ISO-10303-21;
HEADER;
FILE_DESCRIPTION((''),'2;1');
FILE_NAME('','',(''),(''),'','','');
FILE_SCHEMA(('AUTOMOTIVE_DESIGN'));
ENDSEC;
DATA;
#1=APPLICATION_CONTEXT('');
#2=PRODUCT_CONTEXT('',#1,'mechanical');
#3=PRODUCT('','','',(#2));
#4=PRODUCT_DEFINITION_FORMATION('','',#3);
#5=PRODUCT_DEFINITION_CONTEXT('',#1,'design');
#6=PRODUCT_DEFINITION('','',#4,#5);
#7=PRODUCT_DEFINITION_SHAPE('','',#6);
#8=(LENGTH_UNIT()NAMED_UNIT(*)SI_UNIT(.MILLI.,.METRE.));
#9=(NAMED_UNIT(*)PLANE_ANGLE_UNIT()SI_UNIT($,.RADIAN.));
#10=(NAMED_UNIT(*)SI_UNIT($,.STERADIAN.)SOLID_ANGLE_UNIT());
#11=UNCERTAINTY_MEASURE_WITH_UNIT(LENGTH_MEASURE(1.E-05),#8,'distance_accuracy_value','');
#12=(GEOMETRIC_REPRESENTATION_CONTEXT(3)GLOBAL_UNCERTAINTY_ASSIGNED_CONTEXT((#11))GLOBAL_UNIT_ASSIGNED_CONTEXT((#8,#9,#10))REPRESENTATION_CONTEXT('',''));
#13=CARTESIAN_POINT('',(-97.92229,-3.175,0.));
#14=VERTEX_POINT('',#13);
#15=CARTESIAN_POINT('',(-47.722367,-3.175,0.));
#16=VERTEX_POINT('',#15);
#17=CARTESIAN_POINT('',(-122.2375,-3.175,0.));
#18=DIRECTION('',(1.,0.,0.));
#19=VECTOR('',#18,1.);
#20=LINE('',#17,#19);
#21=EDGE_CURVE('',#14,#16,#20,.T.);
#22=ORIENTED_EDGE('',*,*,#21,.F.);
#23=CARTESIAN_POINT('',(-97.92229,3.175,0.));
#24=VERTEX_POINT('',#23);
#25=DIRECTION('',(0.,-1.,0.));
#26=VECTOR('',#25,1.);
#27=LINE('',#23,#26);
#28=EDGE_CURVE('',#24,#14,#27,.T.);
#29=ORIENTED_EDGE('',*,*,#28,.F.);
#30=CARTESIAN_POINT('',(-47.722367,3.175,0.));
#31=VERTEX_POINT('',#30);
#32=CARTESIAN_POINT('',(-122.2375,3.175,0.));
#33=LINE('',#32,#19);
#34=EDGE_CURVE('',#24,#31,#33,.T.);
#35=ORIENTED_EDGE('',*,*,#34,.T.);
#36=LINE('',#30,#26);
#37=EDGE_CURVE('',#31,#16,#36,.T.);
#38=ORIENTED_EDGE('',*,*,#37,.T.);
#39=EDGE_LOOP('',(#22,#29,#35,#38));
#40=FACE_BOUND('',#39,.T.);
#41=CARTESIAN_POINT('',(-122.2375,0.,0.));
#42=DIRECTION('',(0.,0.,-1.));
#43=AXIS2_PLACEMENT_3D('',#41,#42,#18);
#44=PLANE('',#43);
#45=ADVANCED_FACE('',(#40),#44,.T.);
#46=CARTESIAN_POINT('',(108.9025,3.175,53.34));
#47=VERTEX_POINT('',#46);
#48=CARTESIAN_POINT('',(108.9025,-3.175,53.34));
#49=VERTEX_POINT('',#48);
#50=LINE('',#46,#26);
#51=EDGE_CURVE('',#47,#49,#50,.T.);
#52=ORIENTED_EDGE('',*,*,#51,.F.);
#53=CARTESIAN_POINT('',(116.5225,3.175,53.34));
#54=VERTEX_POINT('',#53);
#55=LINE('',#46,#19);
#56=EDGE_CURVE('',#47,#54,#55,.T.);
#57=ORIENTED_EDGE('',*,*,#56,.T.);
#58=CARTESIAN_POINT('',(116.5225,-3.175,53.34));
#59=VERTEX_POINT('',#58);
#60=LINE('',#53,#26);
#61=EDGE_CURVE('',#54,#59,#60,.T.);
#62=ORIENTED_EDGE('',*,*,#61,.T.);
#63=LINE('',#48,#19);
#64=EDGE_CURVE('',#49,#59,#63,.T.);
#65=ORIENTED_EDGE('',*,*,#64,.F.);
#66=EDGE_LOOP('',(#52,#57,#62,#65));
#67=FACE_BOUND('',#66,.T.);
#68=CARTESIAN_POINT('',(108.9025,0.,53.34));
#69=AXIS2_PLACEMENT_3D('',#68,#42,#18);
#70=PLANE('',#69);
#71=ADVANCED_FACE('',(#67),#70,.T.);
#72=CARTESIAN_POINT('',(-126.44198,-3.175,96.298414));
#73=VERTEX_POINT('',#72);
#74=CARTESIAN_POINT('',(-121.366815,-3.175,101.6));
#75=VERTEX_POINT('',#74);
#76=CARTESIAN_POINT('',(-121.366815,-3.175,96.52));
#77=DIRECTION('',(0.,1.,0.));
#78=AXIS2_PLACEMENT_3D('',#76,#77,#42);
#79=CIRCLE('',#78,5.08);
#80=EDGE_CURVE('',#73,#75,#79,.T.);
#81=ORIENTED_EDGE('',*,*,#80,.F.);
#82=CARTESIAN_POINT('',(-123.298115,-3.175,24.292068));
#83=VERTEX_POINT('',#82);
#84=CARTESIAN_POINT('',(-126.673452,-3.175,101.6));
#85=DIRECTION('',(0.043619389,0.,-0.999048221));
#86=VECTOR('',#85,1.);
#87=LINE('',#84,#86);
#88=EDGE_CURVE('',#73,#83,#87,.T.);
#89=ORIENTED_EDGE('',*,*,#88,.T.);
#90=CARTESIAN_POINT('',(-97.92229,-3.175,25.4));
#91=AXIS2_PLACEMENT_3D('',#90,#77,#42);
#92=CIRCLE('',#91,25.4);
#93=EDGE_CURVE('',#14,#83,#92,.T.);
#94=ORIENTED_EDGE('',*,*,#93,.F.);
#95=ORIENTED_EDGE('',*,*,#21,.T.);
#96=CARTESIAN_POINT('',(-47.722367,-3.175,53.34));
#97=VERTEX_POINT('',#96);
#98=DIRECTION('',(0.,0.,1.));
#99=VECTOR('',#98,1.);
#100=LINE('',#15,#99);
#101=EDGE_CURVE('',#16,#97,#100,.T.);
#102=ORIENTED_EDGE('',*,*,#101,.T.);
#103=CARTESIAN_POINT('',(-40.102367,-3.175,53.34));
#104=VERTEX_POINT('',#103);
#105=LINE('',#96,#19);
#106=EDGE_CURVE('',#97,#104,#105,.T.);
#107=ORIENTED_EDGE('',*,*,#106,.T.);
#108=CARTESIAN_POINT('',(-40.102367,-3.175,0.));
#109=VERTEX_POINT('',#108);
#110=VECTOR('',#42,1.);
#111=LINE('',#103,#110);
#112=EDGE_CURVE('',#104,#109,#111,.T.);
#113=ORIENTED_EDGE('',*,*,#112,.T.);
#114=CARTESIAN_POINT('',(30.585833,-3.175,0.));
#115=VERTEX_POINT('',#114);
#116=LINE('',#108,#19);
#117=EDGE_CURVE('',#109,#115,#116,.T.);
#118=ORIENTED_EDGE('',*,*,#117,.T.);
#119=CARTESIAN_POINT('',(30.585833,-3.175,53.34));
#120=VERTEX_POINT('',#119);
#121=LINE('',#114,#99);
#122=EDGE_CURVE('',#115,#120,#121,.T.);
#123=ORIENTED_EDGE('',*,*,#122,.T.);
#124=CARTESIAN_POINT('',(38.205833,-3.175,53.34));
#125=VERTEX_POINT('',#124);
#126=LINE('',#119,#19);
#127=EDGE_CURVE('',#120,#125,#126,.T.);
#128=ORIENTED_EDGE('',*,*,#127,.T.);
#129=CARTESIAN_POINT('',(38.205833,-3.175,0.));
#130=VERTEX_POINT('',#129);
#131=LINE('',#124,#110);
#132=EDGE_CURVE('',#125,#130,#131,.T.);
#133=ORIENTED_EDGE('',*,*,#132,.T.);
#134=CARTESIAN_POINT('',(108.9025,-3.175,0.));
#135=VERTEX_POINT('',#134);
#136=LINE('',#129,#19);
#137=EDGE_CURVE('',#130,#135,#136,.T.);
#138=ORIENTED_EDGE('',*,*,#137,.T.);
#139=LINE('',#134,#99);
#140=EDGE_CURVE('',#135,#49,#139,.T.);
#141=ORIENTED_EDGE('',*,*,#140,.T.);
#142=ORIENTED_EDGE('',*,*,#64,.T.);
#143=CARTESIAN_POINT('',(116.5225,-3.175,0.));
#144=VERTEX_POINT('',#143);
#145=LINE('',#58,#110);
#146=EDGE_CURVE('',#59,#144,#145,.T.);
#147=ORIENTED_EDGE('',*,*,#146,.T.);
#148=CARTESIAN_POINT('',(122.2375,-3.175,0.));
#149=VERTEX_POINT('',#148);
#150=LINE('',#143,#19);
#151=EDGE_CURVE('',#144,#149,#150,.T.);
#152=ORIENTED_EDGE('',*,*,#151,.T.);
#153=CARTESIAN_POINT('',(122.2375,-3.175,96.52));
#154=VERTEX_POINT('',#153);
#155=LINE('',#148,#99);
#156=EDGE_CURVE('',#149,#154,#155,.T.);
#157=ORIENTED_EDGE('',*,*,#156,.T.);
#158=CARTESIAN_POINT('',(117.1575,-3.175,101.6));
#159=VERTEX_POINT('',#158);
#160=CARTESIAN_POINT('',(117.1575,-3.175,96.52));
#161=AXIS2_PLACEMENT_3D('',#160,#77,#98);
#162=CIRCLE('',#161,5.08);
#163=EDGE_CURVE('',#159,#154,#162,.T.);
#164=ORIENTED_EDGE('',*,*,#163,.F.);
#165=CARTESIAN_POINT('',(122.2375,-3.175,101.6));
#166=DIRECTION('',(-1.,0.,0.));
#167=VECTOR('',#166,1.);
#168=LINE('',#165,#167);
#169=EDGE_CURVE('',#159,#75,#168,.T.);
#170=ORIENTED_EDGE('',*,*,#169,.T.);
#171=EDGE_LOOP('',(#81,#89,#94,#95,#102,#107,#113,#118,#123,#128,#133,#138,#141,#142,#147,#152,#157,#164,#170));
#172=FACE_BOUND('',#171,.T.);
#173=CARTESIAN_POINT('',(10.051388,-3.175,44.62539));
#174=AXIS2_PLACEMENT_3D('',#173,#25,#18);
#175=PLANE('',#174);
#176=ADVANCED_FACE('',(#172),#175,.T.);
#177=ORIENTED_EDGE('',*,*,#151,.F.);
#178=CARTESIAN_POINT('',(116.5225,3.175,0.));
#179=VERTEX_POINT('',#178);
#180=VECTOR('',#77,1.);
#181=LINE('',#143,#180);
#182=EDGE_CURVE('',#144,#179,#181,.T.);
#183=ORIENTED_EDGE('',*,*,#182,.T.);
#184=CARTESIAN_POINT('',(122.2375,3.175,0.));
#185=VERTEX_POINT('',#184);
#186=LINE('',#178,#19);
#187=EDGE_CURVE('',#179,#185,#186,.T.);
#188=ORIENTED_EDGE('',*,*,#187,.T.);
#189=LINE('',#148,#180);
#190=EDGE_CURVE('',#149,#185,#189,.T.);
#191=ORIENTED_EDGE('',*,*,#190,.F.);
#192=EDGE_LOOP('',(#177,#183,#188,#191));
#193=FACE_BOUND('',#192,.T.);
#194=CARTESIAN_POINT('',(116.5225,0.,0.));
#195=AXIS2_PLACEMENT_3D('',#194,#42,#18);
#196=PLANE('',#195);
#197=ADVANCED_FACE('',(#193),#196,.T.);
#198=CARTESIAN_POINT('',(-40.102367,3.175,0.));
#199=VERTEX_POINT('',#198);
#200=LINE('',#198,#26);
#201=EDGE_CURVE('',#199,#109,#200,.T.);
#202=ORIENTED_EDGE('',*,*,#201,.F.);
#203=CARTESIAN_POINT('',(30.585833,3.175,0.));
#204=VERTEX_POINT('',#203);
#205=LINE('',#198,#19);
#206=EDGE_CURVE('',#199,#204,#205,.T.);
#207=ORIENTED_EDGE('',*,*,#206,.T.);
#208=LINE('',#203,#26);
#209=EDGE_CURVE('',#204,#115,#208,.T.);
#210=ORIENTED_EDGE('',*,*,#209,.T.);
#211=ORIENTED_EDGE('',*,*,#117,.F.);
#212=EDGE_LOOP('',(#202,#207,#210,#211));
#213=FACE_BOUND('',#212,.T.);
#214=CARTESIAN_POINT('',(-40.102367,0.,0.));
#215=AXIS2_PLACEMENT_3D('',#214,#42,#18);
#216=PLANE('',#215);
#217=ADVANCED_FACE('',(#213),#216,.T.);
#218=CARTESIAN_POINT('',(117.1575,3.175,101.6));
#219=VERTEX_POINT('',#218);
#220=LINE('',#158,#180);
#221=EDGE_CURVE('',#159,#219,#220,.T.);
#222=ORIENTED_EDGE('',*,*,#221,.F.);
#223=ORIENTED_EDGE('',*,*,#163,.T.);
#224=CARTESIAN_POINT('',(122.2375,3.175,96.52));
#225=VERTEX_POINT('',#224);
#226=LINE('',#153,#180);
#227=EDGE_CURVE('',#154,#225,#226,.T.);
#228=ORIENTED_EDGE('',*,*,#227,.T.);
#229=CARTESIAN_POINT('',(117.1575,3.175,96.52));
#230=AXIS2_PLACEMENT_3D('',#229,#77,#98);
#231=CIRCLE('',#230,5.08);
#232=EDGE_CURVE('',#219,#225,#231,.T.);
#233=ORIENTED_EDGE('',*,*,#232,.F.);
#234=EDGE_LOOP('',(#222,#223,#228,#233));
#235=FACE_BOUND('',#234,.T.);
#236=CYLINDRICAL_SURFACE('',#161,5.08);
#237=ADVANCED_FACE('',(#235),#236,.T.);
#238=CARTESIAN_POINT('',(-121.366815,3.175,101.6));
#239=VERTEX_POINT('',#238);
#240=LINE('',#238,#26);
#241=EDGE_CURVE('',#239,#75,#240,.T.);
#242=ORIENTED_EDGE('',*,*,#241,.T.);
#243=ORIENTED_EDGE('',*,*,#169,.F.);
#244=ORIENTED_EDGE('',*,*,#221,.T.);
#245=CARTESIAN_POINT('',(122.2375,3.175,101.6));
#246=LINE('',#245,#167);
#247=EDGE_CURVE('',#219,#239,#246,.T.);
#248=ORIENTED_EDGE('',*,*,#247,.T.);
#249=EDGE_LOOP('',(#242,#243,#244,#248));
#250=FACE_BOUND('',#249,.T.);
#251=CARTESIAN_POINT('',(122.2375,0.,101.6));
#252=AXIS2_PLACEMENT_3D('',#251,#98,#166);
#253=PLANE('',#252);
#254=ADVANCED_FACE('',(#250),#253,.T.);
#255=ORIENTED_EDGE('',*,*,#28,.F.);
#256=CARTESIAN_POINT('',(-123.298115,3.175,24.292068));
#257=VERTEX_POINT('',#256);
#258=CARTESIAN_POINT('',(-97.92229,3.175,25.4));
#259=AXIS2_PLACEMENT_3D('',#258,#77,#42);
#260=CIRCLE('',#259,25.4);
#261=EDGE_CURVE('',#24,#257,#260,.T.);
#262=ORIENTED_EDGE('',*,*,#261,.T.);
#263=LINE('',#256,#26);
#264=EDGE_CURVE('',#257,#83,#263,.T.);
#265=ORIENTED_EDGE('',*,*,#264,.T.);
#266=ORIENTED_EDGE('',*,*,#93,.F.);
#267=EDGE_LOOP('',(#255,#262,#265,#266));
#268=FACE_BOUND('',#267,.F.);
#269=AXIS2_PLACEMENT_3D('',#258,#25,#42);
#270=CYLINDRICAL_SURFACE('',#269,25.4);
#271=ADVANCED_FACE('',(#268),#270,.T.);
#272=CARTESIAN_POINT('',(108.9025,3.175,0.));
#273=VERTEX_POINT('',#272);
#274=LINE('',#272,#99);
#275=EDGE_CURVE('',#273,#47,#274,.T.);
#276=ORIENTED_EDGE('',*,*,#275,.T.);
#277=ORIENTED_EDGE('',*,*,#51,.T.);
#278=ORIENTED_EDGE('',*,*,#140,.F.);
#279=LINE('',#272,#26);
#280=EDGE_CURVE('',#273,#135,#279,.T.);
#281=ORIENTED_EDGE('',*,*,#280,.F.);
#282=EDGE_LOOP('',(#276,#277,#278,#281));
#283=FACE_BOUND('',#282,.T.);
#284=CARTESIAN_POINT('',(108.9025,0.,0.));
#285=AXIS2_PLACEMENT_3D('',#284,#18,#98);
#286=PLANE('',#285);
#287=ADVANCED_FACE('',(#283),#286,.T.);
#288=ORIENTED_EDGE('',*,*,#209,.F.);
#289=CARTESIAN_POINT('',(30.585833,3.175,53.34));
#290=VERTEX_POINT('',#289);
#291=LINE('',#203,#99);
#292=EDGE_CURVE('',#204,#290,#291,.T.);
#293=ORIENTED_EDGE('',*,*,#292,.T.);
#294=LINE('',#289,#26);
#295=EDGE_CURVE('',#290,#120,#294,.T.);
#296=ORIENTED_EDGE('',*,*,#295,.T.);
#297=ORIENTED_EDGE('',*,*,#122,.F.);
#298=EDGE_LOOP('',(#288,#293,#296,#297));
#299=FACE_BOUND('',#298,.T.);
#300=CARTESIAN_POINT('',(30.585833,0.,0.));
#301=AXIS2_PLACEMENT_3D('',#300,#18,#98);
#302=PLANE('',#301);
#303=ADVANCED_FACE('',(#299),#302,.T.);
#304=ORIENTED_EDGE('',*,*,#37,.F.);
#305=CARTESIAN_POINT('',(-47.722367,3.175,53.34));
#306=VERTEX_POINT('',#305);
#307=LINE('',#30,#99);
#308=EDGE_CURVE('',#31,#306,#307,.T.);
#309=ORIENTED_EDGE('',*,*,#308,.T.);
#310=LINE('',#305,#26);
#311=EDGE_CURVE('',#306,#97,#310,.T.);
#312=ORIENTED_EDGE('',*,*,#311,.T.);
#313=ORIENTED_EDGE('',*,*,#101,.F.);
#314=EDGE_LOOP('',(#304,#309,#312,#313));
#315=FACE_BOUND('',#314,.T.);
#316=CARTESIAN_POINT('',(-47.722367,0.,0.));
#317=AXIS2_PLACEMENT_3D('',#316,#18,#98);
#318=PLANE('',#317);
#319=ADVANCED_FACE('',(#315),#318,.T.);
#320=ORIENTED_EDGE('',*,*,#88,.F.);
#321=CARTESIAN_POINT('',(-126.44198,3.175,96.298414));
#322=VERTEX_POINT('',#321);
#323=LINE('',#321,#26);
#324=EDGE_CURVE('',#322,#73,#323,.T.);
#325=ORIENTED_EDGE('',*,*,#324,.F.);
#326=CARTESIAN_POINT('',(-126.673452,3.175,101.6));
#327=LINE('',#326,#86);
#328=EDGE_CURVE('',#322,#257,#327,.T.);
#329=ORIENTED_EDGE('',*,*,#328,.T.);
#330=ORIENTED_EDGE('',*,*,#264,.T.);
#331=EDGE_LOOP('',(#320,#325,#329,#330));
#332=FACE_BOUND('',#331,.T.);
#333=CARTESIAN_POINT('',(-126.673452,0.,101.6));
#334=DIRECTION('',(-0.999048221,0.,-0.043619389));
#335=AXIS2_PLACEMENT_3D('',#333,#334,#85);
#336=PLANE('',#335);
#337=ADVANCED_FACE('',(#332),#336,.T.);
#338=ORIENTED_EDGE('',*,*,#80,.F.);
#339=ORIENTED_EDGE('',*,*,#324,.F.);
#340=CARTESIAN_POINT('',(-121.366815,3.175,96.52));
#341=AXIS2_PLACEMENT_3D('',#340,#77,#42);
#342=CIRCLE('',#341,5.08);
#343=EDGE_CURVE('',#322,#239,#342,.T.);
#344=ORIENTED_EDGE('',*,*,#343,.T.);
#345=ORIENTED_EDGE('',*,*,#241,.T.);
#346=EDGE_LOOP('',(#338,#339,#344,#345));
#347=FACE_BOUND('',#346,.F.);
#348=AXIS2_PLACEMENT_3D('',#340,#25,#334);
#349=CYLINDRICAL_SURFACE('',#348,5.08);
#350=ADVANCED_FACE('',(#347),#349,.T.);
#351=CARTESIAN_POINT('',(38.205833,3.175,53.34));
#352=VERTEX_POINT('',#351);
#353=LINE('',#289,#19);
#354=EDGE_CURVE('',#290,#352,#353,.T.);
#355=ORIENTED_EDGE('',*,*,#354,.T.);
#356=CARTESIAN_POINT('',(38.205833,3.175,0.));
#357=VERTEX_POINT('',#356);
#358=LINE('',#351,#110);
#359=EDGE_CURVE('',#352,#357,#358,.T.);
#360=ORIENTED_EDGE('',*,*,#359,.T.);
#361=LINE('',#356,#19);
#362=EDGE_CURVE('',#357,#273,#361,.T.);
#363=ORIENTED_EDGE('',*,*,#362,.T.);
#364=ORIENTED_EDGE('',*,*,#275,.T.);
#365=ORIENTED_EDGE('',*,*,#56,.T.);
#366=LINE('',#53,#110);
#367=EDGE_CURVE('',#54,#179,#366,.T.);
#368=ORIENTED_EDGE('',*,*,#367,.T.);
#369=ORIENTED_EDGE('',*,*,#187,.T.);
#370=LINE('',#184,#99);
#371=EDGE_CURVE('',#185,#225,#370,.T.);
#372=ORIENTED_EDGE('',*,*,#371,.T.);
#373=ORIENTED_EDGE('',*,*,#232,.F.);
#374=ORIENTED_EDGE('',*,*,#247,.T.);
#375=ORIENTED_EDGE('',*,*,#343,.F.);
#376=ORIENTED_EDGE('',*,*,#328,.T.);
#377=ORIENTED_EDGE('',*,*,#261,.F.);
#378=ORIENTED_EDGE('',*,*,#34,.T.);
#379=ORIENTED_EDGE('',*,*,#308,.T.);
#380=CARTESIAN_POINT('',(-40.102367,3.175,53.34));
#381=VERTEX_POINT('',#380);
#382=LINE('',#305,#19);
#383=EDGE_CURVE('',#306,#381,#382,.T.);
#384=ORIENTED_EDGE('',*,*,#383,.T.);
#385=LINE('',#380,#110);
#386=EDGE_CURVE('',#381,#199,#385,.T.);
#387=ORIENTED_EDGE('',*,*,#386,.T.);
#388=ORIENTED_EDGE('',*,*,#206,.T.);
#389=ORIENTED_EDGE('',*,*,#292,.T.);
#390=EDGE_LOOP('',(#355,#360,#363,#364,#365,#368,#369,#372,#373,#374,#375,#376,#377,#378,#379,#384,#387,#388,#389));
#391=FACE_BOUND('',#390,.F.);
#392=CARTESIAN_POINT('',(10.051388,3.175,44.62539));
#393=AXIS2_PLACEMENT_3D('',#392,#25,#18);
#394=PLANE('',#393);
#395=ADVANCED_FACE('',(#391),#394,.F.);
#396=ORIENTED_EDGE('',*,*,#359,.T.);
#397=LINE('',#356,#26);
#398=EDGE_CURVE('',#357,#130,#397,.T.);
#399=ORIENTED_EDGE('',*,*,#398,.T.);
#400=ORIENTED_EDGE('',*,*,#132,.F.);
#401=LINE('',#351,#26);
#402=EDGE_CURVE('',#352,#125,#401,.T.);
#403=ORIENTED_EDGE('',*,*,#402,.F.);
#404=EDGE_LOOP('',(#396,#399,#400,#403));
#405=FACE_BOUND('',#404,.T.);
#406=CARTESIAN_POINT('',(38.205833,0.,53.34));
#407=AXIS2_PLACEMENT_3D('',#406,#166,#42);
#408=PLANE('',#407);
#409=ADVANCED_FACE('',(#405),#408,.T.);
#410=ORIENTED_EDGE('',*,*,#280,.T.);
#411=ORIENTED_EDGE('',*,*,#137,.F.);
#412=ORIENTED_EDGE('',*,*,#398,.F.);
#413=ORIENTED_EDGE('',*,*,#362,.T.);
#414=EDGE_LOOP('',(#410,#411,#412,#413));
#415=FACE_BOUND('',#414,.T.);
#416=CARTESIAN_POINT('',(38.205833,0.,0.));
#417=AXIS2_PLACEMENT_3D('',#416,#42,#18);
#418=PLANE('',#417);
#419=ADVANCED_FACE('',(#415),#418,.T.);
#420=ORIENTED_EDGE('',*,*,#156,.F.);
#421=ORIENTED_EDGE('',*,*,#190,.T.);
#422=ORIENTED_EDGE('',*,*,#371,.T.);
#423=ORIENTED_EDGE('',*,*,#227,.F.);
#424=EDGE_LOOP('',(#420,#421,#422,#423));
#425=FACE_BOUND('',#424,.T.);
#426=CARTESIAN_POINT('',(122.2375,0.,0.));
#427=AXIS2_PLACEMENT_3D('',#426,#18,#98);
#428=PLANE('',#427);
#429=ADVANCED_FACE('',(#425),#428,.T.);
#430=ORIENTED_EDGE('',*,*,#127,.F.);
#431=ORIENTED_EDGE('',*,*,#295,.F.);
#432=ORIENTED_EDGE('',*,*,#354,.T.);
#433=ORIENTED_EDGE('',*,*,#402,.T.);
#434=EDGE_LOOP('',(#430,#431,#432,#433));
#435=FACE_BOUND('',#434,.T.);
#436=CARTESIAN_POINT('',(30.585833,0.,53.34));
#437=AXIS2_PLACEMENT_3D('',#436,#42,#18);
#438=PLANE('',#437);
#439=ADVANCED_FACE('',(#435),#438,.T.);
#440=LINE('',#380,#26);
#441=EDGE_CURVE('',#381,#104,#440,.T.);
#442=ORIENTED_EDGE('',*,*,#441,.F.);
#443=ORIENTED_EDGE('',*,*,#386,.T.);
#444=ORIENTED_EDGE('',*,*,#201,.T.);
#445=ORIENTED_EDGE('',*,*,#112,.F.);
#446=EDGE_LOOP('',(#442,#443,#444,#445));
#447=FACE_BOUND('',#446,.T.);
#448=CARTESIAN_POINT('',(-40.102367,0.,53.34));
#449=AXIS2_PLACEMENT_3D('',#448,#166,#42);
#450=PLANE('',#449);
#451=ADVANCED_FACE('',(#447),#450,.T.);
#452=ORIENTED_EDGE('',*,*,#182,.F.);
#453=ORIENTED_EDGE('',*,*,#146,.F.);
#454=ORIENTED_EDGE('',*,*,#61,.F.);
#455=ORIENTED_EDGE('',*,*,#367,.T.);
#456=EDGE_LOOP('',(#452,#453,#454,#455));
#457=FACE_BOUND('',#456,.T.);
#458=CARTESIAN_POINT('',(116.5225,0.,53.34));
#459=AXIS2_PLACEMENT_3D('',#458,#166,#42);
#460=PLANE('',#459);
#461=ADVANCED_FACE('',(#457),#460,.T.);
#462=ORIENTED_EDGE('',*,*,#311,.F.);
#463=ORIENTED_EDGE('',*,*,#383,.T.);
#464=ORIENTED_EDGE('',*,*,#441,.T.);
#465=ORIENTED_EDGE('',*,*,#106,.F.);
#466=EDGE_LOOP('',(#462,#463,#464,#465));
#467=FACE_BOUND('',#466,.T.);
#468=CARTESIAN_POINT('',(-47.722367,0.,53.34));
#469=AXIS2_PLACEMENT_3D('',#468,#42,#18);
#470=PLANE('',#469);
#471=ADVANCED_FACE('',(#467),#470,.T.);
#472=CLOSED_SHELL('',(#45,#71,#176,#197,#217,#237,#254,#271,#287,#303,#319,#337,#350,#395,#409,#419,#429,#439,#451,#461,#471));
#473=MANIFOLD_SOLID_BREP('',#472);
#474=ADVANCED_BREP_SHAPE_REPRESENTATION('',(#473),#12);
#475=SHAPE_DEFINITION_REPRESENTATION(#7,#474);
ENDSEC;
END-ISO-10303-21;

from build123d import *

# Parameters (mm, degrees)
F1_DEPTH = 3.175
F2_R     = 25.4
F3_R     = 5.08


with BuildPart() as f1:
    # F0 (on Front) → F1 (new body, symmetric)
    with BuildSketch(Plane.XZ):
        Polygon((122.2375, 101.6), (-126.673452, 101.6), (-122.2375, 0), (-47.722367, 0), (-47.722367, 53.34), (-40.102367, 53.34), (-40.102367, 0), (30.585833, 0), (30.585833, 53.34), (38.205833, 53.34), (38.205833, 0), (108.9025, 0), (108.9025, 53.34), (116.5225, 53.34), (116.5225, 0), (122.2375, 0), align=None)
    extrude(amount=F1_DEPTH, both=True)

    # F2
    f2_edges = [f1.edges().sort_by_distance(p)[0] for p in [
        (-122.2375, 0, 0),
    ]]
    fillet(f2_edges, radius=F2_R)

    # F3
    f3_edges = [f1.edges().sort_by_distance(p)[0] for p in [
        (-126.673452, 0, 101.6),
        (122.2375, 0, 101.6),
    ]]
    fillet(f3_edges, radius=F3_R)


solid = f1.part
